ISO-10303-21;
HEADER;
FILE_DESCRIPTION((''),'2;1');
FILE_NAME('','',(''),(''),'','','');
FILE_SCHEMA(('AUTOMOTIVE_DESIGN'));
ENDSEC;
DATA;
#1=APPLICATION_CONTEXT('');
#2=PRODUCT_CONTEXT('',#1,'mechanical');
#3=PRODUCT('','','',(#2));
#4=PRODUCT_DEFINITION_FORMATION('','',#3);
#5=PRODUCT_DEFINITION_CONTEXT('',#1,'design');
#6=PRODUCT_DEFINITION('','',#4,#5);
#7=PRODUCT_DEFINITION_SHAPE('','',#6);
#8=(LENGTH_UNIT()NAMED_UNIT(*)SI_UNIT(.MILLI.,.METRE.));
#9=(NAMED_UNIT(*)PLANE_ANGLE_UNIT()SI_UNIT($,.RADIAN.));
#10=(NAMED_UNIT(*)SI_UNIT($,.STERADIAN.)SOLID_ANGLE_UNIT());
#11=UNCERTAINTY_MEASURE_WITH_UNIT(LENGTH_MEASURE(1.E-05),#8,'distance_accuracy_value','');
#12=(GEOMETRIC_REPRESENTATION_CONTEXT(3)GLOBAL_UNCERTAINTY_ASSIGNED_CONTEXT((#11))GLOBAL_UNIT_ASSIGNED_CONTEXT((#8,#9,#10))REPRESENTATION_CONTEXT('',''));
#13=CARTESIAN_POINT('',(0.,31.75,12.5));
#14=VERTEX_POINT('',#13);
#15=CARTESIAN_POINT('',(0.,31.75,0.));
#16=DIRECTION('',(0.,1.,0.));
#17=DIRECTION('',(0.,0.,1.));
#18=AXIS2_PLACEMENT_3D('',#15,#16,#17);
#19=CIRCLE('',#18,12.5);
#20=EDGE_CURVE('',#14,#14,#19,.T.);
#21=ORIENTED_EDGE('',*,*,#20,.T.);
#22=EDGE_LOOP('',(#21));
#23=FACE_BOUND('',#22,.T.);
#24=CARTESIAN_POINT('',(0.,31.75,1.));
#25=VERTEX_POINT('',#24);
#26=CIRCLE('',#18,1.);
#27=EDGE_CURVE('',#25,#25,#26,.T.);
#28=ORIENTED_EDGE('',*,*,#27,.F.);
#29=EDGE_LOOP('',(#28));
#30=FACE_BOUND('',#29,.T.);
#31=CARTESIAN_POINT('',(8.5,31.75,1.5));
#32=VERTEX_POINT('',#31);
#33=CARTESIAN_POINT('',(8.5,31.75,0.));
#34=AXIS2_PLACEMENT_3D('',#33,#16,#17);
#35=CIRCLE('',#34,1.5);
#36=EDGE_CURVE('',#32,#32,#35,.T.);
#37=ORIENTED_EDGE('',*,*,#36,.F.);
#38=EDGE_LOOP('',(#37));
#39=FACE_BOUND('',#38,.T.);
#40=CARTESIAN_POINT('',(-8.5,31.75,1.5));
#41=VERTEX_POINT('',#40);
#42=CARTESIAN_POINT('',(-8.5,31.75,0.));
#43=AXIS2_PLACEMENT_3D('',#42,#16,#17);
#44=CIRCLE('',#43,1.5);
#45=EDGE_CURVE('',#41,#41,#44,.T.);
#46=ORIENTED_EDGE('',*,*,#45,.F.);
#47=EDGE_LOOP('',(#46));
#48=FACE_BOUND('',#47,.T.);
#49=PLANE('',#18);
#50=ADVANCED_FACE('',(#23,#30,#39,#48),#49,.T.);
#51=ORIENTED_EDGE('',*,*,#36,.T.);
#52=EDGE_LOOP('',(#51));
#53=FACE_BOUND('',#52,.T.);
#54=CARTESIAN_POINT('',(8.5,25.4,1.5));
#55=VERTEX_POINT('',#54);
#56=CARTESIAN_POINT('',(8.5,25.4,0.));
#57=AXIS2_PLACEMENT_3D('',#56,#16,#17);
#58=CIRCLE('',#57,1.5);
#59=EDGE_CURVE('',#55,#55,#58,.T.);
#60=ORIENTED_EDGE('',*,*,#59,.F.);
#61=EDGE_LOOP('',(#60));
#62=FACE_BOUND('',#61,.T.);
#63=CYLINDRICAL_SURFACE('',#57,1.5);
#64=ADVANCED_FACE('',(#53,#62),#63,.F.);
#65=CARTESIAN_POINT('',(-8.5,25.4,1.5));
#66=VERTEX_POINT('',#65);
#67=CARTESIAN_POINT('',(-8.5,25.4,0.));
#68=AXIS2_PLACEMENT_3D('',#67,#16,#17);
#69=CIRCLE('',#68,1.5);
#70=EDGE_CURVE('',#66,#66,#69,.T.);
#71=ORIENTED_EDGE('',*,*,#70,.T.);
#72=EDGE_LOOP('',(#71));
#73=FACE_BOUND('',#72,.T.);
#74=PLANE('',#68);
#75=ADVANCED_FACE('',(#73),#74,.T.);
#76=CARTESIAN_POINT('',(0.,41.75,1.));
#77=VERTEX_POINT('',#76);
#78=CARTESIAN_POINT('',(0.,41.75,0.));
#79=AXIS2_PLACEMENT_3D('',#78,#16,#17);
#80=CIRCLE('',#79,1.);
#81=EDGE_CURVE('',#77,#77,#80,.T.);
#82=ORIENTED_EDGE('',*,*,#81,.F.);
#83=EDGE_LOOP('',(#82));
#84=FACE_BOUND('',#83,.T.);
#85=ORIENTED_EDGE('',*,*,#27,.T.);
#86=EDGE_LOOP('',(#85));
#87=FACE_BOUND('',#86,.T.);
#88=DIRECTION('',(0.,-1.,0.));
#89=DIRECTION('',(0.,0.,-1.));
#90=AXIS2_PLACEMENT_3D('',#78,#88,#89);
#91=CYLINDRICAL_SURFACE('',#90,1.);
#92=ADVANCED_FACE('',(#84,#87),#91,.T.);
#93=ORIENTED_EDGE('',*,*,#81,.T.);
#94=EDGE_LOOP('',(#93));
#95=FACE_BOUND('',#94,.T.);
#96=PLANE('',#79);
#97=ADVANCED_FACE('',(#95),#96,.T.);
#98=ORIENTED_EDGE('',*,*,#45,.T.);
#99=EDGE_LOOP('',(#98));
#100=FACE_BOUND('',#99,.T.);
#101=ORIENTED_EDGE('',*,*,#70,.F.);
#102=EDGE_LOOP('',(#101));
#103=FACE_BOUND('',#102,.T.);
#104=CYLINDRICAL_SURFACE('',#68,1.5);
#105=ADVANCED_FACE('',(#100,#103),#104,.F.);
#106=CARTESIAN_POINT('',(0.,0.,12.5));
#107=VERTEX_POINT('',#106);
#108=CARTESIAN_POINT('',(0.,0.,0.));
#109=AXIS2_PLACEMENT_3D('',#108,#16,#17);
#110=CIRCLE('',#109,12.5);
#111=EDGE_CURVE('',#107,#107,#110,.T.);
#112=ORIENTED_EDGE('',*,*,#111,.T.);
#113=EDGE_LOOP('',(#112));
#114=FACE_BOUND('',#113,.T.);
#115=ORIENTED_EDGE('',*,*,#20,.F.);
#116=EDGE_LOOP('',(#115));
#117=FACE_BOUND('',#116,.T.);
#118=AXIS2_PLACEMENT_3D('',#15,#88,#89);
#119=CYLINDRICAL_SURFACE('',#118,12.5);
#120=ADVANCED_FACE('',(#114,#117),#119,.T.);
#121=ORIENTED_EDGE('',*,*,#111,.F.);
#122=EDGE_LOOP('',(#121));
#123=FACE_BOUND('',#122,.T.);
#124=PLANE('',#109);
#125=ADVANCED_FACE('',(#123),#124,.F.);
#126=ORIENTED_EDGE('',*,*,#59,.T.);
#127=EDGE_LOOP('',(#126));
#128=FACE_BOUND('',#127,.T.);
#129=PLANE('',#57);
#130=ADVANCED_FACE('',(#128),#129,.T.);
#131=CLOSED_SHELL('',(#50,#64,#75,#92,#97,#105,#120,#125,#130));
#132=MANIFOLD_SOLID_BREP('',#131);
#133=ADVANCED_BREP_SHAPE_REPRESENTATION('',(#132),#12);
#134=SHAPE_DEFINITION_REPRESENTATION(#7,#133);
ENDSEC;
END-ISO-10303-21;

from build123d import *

# Parameters (mm, degrees)
SKETCH1_R           = 12.5
BOSS_EXTRUDE1_DEPTH = 31.75
SKETCH2_R           = 1
BOSS_EXTRUDE2_DEPTH = 10
SKETCH3_R           = 1.5
CUT_EXTRUDE1_DEPTH  = 6.35


with BuildPart() as part:
    # Sketch1 → Boss-Extrude1 (new body)
    with BuildSketch(Plane(origin=(0, 0, 0), x_dir=(1, 0, 0), z_dir=(0, 1, 0))):
        with Locations(Location((0, 0, 0), (0, 0, 270))):
            Circle(SKETCH1_R)
    extrude(amount=BOSS_EXTRUDE1_DEPTH)

    # Sketch2 → Boss-Extrude2 (add)
    with BuildSketch(Plane(origin=(0, 31.75, 0), x_dir=(1, 0, 0), z_dir=(0, 1, 0))):
        with Locations(Location((0, 0, 0), (0, 0, 270))):
            Circle(SKETCH2_R)
    extrude(amount=BOSS_EXTRUDE2_DEPTH)

    # Sketch3 → Cut-Extrude1 (cut)
    with BuildSketch(Plane(origin=(0, 31.75, 0), x_dir=(1, 0, 0), z_dir=(0, 1, 0))):
        with Locations(Location((-8.5, 0, 0), (0, 0, 270))):
            Circle(SKETCH3_R)
        with Locations(Location((8.5, 0, 0), (0, 0, 270))):
            Circle(SKETCH3_R)
    extrude(amount=-CUT_EXTRUDE1_DEPTH, mode=Mode.SUBTRACT)


solid = part.part
